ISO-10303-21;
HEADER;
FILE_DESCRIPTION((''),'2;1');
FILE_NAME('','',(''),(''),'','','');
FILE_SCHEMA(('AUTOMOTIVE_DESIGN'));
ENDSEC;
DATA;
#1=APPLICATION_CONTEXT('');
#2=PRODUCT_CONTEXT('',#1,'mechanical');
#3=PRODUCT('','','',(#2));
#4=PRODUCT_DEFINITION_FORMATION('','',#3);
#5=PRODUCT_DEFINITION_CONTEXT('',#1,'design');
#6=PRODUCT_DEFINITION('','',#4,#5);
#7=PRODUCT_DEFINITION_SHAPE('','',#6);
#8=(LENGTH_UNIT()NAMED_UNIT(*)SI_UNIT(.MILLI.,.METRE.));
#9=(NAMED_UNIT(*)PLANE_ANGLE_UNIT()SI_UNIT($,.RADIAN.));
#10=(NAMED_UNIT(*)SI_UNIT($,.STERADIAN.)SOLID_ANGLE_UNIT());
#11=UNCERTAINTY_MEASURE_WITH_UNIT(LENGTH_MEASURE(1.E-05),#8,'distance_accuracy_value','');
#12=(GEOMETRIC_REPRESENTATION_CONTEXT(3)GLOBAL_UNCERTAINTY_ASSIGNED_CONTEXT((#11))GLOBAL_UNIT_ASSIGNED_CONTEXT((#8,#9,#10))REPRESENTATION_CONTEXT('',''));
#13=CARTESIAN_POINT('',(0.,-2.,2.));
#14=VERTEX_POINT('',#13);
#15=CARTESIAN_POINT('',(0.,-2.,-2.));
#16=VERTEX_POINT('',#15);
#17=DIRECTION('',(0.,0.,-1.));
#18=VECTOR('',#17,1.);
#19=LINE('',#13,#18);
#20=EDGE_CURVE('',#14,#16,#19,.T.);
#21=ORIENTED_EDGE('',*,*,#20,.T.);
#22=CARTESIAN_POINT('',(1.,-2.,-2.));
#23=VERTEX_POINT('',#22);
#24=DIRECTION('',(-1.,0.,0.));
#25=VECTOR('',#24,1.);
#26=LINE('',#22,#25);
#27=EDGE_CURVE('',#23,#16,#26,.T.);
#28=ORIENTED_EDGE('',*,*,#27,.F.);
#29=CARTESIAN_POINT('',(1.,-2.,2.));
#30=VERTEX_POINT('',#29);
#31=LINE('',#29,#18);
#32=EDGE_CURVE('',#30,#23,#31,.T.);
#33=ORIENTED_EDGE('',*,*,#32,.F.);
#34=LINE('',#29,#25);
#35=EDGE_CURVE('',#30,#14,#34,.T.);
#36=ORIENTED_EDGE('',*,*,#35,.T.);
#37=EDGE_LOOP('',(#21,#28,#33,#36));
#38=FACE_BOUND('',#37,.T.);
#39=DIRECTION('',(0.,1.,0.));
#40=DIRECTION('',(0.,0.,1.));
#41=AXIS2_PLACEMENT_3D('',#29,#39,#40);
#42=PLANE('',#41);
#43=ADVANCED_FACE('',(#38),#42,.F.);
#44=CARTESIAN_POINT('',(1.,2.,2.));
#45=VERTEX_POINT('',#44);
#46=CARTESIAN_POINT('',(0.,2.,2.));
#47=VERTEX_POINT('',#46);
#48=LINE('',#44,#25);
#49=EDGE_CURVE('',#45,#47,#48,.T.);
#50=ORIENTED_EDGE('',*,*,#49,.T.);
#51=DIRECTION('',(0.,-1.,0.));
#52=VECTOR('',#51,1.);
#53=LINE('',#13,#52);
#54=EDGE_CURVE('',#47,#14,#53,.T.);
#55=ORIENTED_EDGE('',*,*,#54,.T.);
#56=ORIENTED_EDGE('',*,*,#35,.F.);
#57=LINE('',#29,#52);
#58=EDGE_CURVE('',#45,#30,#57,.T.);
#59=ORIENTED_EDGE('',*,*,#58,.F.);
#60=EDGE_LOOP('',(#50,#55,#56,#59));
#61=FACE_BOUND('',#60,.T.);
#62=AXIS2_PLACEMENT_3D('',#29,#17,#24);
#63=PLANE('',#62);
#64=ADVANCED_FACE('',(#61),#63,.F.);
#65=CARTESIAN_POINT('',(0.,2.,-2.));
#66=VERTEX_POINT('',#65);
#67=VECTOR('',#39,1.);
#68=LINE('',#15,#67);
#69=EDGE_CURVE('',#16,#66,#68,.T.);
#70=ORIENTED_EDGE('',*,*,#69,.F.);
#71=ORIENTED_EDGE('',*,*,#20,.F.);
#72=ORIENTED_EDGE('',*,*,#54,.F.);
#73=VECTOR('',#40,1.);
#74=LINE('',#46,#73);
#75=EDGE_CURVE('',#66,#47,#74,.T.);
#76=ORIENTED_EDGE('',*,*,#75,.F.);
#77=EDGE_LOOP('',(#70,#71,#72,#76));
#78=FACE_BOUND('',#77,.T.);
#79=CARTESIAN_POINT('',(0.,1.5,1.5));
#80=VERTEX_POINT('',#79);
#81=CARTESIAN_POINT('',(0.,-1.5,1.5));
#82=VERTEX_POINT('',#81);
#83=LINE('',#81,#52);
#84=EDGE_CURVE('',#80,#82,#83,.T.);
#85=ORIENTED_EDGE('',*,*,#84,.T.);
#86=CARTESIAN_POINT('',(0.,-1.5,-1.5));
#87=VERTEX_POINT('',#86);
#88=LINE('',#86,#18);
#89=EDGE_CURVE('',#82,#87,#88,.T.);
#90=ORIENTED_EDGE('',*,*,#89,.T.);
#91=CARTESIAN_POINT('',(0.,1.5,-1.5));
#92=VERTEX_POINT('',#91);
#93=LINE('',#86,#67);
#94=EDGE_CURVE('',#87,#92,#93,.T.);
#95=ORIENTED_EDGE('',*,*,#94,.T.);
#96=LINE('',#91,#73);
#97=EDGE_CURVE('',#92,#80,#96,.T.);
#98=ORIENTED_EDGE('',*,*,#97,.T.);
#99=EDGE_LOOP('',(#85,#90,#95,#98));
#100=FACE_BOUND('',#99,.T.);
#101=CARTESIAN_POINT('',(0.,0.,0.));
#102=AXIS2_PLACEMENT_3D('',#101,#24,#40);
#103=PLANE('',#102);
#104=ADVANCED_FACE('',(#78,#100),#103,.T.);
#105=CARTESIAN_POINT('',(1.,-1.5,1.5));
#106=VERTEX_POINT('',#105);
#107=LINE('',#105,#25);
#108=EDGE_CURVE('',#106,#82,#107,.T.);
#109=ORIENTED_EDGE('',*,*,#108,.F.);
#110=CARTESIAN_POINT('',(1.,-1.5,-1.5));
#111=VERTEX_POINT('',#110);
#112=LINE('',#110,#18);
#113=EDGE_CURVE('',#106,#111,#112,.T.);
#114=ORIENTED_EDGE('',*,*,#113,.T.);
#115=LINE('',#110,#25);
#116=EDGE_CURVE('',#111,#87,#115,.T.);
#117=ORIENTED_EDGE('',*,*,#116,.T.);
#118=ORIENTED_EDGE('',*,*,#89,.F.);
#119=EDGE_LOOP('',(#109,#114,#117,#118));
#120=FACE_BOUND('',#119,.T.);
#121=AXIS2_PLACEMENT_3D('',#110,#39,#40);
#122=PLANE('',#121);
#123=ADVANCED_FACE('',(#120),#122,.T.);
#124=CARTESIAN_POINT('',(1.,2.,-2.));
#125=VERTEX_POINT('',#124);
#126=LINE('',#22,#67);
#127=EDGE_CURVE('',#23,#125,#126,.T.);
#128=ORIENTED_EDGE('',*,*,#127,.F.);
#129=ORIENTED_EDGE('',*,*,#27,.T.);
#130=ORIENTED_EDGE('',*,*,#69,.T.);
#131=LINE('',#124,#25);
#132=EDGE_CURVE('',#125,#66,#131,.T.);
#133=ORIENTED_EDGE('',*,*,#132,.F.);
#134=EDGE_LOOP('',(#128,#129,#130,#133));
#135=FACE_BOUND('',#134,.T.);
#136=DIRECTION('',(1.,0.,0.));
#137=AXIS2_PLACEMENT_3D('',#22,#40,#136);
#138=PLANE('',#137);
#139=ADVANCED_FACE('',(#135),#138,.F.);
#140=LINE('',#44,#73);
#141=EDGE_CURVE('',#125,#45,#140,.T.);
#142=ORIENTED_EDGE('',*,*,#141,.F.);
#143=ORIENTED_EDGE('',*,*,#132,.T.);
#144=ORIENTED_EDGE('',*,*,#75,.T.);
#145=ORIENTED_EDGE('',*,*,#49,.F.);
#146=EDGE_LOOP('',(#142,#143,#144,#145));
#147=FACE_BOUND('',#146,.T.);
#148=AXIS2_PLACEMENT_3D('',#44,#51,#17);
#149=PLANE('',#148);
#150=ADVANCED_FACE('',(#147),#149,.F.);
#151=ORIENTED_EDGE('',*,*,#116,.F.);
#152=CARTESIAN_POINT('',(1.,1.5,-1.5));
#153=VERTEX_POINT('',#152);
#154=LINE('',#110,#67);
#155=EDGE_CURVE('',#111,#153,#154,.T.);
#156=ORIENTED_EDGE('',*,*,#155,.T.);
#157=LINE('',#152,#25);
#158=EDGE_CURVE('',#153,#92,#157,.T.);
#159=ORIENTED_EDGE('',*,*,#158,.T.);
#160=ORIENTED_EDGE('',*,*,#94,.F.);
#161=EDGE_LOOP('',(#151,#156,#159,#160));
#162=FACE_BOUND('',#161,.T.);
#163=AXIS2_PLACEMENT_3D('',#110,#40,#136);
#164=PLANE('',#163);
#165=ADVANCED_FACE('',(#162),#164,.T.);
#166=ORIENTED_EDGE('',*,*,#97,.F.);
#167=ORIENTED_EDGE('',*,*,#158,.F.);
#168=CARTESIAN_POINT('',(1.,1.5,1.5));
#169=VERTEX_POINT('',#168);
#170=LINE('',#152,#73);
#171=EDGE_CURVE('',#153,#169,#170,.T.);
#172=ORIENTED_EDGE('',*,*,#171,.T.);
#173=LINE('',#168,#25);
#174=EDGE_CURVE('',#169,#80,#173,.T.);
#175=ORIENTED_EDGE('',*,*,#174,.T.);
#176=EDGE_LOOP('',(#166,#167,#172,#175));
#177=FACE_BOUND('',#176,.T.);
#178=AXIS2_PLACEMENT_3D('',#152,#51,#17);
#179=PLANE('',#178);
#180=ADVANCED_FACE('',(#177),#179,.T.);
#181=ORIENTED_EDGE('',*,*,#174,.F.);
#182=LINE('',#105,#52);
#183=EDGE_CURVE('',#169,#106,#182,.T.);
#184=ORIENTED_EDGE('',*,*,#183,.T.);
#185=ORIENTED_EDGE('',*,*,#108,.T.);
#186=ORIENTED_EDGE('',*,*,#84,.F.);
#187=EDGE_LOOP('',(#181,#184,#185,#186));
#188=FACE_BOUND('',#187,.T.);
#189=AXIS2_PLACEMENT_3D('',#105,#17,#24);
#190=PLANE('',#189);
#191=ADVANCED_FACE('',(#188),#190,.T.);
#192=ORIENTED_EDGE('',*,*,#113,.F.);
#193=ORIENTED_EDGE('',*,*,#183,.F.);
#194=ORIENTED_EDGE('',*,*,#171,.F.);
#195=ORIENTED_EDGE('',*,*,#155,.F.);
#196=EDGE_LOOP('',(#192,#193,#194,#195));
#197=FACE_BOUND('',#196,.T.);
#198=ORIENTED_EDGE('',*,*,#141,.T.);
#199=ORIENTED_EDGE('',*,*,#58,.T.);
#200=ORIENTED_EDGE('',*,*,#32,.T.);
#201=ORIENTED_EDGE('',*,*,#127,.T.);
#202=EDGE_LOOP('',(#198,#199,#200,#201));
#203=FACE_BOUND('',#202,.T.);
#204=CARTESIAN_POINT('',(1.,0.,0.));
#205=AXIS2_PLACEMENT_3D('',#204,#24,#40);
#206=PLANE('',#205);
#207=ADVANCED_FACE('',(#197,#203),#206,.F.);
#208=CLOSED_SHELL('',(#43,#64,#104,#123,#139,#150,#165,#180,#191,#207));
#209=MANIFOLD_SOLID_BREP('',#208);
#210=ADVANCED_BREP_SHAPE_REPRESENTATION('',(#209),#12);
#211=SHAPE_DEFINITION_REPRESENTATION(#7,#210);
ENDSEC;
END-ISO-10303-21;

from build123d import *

# Parameters (mm, degrees)
SKETCH_1_W      = 4
SKETCH_1_H      = 4
SKETCH_1_W_2    = 3
SKETCH_1_H_2    = 3
EXTRUDE_1_DEPTH = 1


with BuildPart() as part:
    # 草图1 → 凸台-拉伸1 (new body)
    with BuildSketch(Plane(origin=(0, 0, 0), x_dir=(0, 0, -1), z_dir=(1, 0, 0))):
        Rectangle(SKETCH_1_W, SKETCH_1_H)
        Rectangle(SKETCH_1_W_2, SKETCH_1_H_2, mode=Mode.SUBTRACT)
    extrude(amount=EXTRUDE_1_DEPTH)


solid = part.part
